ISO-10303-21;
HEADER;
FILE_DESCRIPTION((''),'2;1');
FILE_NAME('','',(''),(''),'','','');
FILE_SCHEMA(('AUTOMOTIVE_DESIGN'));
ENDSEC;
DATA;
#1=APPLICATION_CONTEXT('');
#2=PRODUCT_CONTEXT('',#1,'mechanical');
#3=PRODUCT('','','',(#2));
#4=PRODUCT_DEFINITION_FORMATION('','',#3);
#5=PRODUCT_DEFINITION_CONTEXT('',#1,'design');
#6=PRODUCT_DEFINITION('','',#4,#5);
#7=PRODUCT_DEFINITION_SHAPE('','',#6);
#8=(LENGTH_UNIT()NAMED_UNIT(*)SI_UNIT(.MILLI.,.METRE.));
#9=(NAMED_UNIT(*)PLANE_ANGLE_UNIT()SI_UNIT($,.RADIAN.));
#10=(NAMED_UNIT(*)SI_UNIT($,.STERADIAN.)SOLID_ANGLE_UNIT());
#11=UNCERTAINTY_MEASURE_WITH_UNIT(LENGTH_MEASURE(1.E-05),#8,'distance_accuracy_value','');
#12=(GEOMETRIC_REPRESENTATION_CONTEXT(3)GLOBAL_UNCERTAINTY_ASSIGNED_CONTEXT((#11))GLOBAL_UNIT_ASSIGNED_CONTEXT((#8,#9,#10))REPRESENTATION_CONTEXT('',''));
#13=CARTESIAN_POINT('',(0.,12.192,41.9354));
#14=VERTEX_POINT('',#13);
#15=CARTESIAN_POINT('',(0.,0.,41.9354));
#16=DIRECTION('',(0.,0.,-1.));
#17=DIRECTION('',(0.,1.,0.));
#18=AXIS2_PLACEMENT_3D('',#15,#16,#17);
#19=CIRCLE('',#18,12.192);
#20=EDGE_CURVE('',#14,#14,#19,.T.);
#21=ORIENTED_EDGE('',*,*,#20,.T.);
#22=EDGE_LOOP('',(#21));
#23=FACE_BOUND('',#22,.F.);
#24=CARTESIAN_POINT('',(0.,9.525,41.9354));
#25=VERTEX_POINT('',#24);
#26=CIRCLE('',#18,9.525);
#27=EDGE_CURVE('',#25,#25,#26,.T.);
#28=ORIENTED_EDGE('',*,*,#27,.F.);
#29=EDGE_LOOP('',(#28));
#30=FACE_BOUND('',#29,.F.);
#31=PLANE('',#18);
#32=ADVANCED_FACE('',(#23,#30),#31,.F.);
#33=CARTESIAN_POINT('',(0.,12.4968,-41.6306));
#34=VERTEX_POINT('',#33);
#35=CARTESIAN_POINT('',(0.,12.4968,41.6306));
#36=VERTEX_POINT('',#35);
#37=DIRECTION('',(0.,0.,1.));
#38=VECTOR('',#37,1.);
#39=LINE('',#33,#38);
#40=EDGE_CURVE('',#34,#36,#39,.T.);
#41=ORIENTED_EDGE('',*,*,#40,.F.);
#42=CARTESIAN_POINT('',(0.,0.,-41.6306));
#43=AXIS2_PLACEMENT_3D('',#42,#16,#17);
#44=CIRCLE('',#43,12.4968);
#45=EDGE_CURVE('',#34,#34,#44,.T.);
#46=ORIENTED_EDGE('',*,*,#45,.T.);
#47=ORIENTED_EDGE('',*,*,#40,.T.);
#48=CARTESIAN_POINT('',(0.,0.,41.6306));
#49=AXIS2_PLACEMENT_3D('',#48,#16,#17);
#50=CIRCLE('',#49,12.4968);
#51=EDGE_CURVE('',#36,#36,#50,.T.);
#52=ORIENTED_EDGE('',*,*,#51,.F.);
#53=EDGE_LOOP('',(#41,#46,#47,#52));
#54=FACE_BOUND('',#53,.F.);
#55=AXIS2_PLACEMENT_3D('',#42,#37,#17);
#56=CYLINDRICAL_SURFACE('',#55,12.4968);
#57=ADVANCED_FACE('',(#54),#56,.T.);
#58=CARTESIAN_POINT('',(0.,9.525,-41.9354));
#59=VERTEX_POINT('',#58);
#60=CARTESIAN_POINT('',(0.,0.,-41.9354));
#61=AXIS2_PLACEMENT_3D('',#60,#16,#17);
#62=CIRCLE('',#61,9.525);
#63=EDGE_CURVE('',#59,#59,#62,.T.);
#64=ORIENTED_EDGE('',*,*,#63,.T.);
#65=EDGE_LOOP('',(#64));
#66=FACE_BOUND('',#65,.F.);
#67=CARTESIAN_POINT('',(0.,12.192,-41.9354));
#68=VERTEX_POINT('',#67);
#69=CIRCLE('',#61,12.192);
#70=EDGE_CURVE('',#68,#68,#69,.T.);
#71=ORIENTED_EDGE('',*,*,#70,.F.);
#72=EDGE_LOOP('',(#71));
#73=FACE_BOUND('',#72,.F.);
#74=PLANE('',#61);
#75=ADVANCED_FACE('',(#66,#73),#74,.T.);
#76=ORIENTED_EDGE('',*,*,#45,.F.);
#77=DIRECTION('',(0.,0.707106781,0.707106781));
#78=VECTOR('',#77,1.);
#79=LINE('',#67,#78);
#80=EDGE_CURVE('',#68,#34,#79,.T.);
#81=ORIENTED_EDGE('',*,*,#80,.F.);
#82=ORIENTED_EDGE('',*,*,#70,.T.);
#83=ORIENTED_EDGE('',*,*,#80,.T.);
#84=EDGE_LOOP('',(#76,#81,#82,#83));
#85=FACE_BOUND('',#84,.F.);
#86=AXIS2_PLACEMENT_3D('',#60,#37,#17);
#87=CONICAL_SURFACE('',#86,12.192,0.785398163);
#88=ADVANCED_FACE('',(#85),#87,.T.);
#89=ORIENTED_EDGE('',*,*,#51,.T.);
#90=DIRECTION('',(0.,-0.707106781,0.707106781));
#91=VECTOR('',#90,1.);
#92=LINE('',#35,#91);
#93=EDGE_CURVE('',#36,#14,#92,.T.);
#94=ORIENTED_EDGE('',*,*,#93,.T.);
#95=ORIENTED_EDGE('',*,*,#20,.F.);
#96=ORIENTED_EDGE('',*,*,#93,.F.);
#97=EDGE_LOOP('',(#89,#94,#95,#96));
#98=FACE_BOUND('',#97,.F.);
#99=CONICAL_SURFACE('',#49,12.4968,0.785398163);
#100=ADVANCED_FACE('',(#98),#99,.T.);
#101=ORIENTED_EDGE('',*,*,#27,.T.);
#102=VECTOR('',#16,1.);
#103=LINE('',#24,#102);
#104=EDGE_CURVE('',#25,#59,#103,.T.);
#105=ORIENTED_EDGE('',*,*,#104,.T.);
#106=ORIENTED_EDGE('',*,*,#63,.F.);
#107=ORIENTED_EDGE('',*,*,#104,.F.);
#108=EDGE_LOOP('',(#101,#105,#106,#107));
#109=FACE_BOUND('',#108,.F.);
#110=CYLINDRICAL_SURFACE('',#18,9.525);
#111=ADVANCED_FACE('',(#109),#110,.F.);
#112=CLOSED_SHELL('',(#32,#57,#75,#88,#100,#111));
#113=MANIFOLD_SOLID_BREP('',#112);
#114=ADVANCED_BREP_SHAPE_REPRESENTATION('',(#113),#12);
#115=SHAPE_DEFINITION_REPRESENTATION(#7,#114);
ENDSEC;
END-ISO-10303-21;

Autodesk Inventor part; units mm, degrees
sketch "Sketch_2" plane through (0, 0, 0) normal (1, 0, 0) x (0, 1, 0)
  line L0 (0, -41.9354) -> (0, 41.9354)
  line L1 (9.525, 41.9354) -> (9.525, -41.9354)
  line L2 (9.525, -41.9354) -> (12.192, -41.9354)
  line L3 (12.192, -41.9354) -> (12.4968, -41.6306)
  line L4 (12.4968, -41.6306) -> (12.4968, 41.6306)
  line L5 (12.4968, 41.6306) -> (12.192, 41.9354)
  line L6 (12.192, 41.9354) -> (9.525, 41.9354)
revolve "Revolution1" add sketch "Sketch_2" angle 360 about axis through (0, 0, -41.9354) along (0, 0, -1)
ref_plane "cap_XY" through (0, 0, -41.9354) normal (0, 0, -1) x (0, 1, 0)
ref_plane "cap_YZ" through (0, 0, -41.9354) normal (0, 1, 0) x (1, 0, 0)
ref_plane "cap_ZX" through (0, 0, -41.9354) normal (1, 0, 0) x (0, 0, -1)
ref_plane "ctr_XY" through (0, 0, 0) normal (0, 0, 1) x (1, 0, 0)
ref_plane "ctr_YZ" through (0, 0, 0) normal (1, 0, 0) x (0, 1, 0)
ref_plane "ctr_ZX" through (0, 0, 0) normal (0, 1, 0) x (0, 0, 1)
ref_plane "hd_XY" through (0, 0, 41.9354) normal (0, 0, 1) x (0, 1, 0)
ref_plane "hd_YZ" through (0, 0, 41.9354) normal (0, 1, 0) x (-1, 0, 0)
ref_plane "hd_ZX" through (0, 0, 41.9354) normal (-1, 0, 0) x (0, 0, 1)
properties part number "TUBE_OCG13/4x2_Open-Extend_" material "Stainless Steel"
